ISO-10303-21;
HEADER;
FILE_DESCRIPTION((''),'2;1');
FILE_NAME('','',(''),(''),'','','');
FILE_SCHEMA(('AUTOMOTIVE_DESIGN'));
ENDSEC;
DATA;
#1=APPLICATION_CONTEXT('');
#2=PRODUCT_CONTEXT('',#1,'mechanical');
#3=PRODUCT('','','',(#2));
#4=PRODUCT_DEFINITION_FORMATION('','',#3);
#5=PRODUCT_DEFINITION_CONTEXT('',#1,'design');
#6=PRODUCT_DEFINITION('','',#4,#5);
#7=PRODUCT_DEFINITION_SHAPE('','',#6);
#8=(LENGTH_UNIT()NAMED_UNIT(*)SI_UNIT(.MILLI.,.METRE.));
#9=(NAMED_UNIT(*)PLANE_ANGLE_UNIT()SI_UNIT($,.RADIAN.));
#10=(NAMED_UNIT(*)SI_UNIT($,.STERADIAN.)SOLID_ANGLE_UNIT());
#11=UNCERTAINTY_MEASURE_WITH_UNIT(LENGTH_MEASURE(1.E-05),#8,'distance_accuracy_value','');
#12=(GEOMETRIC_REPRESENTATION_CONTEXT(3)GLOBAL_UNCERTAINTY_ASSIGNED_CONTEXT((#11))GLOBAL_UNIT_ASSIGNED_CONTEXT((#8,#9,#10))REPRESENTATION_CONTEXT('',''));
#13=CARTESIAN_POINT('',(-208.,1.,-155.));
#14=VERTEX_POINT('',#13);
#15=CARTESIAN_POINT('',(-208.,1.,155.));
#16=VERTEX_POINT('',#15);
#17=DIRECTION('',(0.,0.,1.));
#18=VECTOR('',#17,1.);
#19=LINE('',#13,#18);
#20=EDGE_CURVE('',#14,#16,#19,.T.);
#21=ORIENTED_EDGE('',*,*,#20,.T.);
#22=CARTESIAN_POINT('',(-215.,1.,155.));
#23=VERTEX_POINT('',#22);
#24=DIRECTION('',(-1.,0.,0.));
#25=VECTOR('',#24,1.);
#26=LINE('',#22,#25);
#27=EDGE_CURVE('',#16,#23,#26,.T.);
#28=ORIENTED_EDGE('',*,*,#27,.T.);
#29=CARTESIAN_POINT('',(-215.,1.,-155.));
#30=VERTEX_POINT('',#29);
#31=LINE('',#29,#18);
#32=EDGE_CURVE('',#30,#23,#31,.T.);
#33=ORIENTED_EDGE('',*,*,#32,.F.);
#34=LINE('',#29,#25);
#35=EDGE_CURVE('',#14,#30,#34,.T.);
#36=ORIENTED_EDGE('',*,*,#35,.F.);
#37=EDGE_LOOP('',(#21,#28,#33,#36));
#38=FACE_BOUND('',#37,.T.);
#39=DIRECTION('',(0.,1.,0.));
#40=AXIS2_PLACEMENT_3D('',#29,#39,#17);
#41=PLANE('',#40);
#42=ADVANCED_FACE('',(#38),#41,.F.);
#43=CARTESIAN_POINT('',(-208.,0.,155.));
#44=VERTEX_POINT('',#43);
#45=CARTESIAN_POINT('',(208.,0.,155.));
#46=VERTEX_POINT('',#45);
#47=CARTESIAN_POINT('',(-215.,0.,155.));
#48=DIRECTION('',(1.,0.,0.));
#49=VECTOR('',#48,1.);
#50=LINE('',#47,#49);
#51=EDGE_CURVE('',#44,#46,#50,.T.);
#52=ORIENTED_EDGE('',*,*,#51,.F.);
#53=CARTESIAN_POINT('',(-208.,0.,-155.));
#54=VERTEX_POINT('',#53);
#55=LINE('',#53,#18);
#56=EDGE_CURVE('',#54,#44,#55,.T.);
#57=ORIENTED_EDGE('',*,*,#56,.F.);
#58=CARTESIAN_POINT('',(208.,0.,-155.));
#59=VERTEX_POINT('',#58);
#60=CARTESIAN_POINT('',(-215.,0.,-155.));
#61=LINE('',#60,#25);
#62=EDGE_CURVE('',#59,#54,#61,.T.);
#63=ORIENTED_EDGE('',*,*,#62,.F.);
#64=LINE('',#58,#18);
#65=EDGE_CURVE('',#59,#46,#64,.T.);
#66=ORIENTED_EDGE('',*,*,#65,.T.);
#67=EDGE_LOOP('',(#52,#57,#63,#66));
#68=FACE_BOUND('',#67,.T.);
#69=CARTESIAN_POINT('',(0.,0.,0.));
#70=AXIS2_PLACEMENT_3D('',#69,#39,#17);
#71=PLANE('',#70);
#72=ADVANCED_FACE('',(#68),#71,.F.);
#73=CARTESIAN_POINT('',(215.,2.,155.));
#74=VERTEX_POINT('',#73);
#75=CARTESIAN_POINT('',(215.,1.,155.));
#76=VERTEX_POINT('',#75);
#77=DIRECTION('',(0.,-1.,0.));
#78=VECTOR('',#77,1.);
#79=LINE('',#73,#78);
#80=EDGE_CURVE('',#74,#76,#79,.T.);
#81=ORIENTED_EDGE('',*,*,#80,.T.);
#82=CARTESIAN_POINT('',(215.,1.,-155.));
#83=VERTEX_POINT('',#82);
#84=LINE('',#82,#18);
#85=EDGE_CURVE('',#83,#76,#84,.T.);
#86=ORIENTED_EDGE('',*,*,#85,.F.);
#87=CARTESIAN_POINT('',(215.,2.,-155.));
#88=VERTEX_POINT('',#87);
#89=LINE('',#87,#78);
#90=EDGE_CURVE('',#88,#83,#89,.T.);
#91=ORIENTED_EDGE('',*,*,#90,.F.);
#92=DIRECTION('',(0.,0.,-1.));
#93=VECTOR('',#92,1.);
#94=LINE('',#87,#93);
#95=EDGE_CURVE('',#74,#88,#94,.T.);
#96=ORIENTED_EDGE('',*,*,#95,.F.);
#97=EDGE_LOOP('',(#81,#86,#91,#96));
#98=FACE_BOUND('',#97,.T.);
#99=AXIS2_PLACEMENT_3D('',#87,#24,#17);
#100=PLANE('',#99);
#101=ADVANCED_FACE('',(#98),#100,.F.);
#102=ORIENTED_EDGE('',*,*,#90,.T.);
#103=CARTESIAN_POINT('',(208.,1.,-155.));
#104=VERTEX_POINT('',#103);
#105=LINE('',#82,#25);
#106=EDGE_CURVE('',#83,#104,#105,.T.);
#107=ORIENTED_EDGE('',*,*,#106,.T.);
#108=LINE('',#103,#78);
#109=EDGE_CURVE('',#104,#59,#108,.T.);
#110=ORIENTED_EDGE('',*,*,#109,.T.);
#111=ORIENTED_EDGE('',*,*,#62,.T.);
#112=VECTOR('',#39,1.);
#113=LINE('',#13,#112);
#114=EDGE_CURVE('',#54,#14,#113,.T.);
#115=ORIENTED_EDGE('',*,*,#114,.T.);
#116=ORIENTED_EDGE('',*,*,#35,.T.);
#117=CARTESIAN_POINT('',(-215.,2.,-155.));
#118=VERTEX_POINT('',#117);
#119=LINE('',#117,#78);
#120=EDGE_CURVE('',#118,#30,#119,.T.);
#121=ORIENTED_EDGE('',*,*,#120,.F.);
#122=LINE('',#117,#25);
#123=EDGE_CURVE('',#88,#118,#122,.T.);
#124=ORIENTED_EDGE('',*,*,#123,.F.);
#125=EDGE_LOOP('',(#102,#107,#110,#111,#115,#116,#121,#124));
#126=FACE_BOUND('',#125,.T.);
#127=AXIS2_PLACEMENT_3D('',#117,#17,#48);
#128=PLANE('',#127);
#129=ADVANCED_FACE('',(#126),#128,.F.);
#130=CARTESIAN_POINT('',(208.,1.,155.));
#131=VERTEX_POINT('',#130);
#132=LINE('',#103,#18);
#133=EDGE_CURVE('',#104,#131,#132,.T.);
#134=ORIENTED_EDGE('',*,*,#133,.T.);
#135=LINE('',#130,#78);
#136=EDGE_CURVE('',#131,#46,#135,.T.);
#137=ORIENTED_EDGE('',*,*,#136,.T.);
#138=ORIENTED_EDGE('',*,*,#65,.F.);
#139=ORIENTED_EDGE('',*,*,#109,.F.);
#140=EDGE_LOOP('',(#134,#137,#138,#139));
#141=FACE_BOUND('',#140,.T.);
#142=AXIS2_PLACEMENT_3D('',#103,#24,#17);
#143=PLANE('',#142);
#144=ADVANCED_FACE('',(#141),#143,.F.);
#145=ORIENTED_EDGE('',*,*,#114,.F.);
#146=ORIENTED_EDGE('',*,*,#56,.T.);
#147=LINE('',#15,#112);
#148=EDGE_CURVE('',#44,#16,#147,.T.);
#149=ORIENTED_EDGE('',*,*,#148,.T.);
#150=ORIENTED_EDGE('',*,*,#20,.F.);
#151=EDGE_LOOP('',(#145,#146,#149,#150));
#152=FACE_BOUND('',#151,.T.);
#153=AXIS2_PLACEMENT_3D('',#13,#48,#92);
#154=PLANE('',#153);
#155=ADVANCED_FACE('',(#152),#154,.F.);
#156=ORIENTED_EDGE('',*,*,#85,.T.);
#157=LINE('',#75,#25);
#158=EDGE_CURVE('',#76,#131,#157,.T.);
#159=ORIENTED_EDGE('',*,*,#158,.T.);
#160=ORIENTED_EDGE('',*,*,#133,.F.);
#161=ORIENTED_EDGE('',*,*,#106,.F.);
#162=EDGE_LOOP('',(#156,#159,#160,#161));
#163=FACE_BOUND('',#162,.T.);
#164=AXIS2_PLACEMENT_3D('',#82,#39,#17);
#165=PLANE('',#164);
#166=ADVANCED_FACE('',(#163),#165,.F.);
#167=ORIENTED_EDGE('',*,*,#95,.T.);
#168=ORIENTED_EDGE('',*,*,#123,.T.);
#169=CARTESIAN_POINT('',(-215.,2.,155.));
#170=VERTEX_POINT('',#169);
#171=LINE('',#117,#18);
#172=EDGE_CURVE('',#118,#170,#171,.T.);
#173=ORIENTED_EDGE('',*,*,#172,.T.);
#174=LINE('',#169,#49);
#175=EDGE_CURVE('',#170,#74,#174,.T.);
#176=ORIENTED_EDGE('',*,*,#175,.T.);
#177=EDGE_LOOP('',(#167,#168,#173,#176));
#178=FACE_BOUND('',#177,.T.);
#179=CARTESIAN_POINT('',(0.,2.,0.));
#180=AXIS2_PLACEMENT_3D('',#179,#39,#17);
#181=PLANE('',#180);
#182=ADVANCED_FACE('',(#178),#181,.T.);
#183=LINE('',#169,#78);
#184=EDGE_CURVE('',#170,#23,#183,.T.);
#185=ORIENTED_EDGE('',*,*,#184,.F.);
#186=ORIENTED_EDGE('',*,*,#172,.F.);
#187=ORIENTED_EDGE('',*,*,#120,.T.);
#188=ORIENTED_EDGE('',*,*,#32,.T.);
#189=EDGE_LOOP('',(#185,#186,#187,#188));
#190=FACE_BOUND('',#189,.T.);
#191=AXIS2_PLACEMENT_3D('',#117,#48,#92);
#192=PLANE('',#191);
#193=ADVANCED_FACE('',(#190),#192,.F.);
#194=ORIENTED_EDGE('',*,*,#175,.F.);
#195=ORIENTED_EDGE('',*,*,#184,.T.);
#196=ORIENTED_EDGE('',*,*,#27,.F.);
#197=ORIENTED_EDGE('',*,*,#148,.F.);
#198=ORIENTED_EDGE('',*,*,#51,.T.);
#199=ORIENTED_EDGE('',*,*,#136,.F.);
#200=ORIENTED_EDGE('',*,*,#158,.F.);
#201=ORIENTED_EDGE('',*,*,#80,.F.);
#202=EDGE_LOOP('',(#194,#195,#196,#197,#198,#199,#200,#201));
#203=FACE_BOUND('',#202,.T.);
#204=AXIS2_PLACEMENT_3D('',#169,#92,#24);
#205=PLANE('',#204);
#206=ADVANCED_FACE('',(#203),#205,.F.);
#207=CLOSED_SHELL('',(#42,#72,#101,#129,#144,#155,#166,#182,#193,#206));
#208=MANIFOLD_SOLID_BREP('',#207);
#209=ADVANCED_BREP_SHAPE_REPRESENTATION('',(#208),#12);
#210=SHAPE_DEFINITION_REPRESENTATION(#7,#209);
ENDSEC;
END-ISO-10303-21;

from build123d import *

# Parameters (mm, degrees)
SKETCH1_W           = 430
SKETCH1_H           = 310
BOSS_EXTRUDE1_DEPTH = 2
SKETCH2_W           = 7
SKETCH2_H           = 1
CUT_EXTRUDE1_DEPTH  = 311


with BuildPart() as part:
    # Sketch1 → Boss-Extrude1 (new body)
    with BuildSketch(Plane(origin=(0, 0, 0), x_dir=(1, 0, 0), z_dir=(0, 1, 0))):
        Rectangle(SKETCH1_W, SKETCH1_H)
    extrude(amount=BOSS_EXTRUDE1_DEPTH)

    # Sketch2 → Cut-Extrude1 (cut, through all)
    with BuildSketch(Plane.XY.offset(155)):
        with Locations((-211.5, 0.5)):
            Rectangle(SKETCH2_W, SKETCH2_H)
        with Locations((211.5, 0.5)):
            Rectangle(SKETCH2_W, SKETCH2_H)
    extrude(amount=-CUT_EXTRUDE1_DEPTH, mode=Mode.SUBTRACT)


solid = part.part
